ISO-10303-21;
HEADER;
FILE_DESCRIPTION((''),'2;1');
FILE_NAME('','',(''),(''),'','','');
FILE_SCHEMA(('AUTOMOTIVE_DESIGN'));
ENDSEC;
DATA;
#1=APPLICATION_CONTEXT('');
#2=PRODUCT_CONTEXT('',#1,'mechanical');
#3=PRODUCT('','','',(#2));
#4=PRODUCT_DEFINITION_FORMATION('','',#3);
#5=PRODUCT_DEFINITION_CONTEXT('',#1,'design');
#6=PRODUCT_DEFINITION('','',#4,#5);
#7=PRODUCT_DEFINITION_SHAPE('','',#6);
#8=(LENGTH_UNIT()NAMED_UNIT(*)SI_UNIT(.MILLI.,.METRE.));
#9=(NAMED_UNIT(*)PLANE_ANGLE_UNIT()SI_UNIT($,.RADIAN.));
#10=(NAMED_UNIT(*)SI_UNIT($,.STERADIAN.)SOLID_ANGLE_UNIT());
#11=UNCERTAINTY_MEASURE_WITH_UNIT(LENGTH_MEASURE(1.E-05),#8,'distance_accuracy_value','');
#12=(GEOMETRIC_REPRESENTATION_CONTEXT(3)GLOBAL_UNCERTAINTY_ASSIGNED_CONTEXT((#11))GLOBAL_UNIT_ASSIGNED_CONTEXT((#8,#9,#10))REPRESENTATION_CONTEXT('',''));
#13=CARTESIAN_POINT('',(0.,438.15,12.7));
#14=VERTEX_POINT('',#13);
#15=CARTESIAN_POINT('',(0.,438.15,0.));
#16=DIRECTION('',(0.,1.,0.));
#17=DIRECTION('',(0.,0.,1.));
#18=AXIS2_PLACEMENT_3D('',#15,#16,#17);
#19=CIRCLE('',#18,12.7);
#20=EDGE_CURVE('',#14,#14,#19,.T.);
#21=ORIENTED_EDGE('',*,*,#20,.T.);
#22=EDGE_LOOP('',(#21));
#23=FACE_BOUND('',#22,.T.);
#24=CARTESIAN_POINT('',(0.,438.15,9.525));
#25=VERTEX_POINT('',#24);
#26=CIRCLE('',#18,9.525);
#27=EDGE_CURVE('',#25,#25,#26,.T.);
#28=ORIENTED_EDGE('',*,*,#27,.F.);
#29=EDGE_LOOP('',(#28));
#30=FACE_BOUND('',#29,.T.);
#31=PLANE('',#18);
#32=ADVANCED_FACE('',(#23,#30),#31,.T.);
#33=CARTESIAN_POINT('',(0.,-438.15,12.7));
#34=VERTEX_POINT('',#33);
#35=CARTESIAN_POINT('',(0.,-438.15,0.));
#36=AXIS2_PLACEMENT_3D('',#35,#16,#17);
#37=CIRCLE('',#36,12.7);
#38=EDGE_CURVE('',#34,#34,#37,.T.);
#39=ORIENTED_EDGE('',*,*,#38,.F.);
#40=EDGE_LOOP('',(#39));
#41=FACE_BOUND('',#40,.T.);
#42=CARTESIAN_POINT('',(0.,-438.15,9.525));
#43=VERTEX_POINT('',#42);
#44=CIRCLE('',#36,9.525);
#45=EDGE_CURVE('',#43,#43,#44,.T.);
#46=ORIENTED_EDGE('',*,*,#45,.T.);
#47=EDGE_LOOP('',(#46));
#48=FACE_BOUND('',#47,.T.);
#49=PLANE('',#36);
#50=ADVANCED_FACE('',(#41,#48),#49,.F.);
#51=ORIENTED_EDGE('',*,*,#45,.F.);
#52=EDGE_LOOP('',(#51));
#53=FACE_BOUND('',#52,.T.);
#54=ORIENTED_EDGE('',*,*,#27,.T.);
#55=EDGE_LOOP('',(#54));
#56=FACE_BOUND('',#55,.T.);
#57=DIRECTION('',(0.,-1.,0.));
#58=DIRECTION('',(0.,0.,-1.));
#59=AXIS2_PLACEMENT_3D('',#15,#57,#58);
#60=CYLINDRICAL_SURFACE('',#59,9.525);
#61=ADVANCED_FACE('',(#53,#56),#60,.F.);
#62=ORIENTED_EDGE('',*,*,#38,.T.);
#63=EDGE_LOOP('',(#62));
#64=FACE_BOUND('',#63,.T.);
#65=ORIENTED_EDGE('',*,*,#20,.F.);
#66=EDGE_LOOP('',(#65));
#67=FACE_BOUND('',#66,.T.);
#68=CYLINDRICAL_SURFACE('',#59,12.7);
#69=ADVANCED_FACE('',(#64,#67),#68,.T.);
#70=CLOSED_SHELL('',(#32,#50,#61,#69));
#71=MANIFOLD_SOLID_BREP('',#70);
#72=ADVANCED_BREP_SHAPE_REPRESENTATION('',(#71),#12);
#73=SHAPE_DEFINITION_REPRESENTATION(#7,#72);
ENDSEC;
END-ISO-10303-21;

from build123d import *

# Parameters (mm, degrees)
SKETCH1_R           = 12.7
SKETCH1_R_2         = 9.525
BOSS_EXTRUDE1_DEPTH = 438.15


with BuildPart() as part:
    # Sketch1 → Boss-Extrude1 (new body, symmetric)
    with BuildSketch(Plane(origin=(0, 0, 0), x_dir=(1, 0, 0), z_dir=(0, 1, 0))):
        Circle(SKETCH1_R)
        Circle(SKETCH1_R_2, mode=Mode.SUBTRACT)
    extrude(amount=BOSS_EXTRUDE1_DEPTH, both=True)


solid = part.part
